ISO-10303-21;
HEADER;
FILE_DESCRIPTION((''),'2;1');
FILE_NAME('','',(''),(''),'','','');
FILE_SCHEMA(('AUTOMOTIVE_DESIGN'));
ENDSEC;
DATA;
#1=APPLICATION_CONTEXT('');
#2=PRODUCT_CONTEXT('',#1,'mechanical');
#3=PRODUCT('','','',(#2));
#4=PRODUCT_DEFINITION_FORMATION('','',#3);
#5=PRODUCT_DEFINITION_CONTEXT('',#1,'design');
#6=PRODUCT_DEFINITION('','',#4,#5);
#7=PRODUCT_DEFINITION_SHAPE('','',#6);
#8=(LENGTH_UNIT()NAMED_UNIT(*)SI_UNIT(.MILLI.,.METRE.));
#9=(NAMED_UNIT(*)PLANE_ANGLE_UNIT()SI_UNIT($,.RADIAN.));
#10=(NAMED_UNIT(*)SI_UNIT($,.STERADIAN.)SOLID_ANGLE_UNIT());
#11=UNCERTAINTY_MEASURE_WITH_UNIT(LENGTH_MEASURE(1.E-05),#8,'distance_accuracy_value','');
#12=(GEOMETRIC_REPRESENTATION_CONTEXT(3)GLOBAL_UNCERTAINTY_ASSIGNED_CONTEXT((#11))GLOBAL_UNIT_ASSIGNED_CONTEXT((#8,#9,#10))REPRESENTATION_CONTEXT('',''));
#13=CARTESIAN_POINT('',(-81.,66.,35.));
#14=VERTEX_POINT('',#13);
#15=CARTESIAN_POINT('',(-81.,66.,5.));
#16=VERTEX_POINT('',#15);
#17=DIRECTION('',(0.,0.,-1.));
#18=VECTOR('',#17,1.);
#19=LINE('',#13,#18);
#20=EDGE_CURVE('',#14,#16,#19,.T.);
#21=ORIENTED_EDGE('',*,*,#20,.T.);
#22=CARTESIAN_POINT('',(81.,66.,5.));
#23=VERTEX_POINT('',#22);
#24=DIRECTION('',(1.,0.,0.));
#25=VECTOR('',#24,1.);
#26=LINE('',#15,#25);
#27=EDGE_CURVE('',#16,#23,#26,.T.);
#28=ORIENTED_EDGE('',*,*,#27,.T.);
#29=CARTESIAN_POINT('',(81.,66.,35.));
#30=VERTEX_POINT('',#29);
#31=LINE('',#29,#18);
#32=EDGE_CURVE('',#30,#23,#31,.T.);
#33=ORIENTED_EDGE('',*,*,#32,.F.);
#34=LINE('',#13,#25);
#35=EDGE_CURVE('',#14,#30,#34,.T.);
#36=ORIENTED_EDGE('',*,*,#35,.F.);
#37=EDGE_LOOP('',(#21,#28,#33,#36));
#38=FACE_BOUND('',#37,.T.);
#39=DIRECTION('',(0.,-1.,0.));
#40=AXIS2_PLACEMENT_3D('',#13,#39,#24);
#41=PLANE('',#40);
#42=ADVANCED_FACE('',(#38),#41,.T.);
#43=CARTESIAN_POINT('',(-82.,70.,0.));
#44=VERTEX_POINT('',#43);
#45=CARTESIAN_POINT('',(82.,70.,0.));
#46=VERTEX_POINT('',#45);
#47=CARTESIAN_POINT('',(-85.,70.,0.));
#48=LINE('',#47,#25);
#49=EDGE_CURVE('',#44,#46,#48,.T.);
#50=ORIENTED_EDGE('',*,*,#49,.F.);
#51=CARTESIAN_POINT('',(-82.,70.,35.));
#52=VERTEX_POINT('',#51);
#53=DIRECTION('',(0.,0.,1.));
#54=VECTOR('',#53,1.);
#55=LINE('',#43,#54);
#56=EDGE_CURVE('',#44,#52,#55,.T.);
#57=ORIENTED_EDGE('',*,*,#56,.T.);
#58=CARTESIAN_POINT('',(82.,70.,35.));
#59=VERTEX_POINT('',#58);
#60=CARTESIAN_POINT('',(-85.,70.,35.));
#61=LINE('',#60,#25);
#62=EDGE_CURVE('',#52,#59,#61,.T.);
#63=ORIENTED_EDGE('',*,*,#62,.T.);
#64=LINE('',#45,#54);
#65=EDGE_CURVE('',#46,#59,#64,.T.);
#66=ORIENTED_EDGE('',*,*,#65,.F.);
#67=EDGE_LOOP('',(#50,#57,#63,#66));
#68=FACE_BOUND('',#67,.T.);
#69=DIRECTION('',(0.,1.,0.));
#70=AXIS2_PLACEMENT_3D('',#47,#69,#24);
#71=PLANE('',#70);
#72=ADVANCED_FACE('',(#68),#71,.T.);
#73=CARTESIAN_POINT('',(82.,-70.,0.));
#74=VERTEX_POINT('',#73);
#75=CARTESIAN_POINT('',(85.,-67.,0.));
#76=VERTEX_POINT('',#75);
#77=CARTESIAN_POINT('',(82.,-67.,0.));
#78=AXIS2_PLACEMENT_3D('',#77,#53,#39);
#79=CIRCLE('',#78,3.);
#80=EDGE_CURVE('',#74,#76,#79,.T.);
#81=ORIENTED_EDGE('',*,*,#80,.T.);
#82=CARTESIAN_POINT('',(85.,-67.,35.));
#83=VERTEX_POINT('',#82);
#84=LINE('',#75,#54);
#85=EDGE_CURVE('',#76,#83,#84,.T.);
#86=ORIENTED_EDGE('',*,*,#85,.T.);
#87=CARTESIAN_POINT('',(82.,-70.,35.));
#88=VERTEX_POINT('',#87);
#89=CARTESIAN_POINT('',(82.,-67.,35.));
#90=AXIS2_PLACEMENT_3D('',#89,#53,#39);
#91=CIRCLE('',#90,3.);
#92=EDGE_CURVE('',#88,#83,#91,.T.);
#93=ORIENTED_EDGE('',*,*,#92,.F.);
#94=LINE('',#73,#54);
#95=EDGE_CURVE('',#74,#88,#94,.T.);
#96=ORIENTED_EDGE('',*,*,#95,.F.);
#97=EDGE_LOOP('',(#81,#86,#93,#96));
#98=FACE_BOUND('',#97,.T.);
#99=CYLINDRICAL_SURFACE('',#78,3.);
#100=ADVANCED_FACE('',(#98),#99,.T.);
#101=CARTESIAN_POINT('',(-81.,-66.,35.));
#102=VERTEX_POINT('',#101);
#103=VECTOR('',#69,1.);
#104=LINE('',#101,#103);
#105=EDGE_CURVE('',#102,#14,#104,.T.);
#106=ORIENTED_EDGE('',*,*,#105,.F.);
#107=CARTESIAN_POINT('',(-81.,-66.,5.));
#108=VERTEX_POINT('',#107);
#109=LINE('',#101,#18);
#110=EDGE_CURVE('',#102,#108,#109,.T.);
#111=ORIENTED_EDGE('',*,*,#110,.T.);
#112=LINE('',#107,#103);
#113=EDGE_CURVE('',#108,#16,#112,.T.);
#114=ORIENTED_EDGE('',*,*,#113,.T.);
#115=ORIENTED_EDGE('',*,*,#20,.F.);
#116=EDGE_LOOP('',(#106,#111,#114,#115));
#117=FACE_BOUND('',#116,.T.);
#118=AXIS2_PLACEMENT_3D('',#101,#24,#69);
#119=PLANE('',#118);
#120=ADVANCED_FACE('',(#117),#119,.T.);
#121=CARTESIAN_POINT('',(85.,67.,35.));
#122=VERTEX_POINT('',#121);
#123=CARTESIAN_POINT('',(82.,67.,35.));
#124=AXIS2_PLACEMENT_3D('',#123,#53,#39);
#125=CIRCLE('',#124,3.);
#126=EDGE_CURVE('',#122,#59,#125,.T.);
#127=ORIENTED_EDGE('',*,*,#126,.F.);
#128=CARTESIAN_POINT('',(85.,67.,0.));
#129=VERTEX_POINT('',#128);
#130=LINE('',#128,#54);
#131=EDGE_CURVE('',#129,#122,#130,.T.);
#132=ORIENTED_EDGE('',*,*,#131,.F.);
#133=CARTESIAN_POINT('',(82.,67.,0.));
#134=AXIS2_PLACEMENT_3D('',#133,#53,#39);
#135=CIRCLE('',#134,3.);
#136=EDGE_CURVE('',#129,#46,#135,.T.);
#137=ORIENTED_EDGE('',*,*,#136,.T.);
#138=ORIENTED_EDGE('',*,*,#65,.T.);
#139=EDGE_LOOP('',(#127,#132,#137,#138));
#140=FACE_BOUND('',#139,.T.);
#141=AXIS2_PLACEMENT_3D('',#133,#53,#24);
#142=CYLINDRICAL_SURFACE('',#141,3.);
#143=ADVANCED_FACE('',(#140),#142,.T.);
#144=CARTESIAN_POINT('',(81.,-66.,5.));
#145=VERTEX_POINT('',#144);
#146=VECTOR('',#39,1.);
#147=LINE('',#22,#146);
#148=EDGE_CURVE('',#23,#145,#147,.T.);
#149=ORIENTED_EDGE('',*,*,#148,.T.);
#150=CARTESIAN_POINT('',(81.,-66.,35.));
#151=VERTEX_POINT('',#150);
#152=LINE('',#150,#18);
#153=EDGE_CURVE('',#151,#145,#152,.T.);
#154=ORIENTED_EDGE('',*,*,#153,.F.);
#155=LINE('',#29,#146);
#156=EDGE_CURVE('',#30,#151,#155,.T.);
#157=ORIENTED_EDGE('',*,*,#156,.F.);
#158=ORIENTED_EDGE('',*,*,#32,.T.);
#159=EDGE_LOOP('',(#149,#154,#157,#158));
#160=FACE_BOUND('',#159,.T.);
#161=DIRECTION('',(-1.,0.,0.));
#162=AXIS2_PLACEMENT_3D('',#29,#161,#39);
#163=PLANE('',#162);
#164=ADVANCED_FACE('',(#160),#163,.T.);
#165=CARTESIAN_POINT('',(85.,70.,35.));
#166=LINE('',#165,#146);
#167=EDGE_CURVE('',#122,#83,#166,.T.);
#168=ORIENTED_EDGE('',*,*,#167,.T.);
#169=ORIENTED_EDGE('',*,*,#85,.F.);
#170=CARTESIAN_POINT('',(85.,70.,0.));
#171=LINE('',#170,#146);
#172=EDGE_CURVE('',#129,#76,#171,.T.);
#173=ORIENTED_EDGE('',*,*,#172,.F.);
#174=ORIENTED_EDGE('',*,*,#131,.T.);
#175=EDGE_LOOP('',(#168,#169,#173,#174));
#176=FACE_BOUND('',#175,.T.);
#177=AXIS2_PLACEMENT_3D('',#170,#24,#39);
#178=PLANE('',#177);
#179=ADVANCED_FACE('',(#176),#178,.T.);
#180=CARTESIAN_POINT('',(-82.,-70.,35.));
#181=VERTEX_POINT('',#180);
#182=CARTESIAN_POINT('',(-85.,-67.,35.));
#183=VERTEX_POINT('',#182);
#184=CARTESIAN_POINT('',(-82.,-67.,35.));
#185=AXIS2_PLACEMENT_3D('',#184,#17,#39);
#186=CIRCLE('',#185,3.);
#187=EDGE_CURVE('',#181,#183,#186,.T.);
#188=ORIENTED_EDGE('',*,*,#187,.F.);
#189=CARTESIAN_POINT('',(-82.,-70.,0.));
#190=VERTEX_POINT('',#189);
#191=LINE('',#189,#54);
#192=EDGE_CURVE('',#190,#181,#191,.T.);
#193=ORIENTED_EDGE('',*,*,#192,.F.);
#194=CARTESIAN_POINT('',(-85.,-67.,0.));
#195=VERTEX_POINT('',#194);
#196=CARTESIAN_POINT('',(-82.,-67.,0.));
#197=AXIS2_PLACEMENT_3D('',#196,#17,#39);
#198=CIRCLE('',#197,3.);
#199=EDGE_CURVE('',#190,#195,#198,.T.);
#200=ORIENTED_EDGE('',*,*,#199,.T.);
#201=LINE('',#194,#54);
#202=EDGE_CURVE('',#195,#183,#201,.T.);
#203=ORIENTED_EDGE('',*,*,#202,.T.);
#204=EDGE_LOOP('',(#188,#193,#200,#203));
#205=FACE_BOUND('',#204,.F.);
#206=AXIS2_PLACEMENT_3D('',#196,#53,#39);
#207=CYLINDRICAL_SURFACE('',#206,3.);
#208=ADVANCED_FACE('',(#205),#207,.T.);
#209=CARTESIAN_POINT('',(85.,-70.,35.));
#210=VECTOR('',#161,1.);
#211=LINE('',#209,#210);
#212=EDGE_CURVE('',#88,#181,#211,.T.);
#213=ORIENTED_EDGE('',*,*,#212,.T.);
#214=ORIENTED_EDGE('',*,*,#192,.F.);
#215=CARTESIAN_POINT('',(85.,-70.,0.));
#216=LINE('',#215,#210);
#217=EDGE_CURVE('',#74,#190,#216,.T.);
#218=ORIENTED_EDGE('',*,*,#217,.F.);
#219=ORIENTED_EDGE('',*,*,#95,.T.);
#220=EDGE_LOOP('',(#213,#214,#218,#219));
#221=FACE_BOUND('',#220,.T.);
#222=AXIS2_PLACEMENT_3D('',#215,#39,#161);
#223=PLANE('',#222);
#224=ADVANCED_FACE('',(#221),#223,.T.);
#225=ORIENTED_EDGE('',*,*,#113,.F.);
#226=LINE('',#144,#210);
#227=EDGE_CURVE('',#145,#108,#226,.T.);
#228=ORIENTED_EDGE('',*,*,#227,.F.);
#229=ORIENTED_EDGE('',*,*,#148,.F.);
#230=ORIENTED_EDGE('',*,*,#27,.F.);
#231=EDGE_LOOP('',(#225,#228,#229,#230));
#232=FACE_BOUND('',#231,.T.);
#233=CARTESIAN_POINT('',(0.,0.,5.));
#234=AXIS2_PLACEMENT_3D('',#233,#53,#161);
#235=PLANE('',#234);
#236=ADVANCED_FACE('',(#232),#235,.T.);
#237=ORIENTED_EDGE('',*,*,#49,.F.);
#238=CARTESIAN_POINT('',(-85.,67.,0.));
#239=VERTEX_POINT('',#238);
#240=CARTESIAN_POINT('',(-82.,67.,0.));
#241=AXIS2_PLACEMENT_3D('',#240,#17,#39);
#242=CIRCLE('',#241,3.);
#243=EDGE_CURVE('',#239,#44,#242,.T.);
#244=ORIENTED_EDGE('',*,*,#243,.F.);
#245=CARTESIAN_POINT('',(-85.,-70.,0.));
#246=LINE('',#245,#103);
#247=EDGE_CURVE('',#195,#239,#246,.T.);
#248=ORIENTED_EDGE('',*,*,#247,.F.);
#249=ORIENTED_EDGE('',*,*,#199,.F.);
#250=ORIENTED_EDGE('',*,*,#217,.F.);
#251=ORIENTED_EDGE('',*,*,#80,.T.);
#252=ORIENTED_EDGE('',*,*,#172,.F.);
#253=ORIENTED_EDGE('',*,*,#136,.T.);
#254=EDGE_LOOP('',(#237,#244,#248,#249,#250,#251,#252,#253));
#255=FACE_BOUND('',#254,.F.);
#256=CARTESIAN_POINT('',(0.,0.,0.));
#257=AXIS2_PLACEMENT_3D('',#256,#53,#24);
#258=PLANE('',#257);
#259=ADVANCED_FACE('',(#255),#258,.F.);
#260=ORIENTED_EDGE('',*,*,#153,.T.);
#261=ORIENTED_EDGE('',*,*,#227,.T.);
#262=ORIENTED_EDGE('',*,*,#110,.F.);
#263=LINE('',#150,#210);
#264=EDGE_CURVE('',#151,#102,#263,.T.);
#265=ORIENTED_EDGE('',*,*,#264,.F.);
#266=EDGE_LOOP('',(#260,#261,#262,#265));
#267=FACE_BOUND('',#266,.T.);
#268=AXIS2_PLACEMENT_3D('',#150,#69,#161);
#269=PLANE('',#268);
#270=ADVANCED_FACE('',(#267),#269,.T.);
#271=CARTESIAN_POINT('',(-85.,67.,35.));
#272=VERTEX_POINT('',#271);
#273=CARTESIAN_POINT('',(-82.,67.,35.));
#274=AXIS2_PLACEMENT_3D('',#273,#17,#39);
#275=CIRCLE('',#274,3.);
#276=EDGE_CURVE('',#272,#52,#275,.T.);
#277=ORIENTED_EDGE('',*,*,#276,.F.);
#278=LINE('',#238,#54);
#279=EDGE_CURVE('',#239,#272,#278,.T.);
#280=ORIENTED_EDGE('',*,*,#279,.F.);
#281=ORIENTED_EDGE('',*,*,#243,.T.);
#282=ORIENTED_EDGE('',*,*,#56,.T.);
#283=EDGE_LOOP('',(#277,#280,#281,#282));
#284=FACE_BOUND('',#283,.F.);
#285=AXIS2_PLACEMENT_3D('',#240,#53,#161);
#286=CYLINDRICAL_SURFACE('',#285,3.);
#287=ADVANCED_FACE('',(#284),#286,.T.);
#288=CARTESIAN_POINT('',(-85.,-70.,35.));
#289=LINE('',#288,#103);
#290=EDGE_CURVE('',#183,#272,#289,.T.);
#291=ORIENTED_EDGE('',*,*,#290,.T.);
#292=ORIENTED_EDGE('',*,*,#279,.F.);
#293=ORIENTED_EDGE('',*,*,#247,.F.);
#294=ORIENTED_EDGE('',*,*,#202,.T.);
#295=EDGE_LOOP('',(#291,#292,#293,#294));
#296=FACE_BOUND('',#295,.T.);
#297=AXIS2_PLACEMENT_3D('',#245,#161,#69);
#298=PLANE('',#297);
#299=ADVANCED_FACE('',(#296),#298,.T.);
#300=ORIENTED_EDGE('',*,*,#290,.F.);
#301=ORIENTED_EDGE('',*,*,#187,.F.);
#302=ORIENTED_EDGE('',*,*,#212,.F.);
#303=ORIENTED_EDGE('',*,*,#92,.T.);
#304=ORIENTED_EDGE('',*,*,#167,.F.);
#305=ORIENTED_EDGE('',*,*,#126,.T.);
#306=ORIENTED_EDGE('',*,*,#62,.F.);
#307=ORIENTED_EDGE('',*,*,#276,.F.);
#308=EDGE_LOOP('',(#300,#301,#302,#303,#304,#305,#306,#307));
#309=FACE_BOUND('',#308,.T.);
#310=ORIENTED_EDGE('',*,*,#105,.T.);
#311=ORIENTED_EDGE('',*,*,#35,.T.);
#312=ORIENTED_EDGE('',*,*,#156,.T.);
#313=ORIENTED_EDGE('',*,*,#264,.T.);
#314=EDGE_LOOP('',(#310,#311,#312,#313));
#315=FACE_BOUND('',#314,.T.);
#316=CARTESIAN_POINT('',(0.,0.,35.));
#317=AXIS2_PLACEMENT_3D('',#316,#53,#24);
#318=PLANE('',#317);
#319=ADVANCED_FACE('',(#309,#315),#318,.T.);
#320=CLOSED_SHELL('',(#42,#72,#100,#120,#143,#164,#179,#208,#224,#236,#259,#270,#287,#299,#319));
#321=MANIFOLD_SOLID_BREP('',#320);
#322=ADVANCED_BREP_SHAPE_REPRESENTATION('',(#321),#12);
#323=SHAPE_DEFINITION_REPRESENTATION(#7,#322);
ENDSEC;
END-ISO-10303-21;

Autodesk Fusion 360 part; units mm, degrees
sketch "Esboço1" plane through (0, 0, 0) normal (0, 0, 1) x (1, 0, 0)
  line L0 (85, -70) -> (-85, -70)
  line L1 (-85, -70) -> (-85, 70)
  line L2 (-85, 70) -> (85, 70)
  line L3 (85, 70) -> (85, -70)
  line L4 (85, -70) -> (-85, 70) construction
  line L5 (-85, -70) -> (85, 70) construction
  dimension "d1" = 170
  dimension "d2" = 140
extrude "Extrusão1" add sketch "Esboço1" along normal blind 35
sketch "Esboço2" plane through (0, 0, 35) normal (0, 0, 1) x (-1, 0, 0)
  line L0 (-85, -70) -> (85, -70)
  line L1 (85, -70) -> (85, 70)
  line L2 (85, 70) -> (-85, 70)
  line L3 (-85, 70) -> (-85, -70)
  line L4 (-81, 66) -> (81, 66)
  line L5 (81, 66) -> (81, -66)
  line L6 (81, -66) -> (-81, -66)
  line L7 (-81, -66) -> (-81, 66)
  line L8 (-81, 66) -> (81, -66) construction
  line L9 (81, 66) -> (-81, -66) construction
  dimension "d5" = 162
  dimension "d6" = 132
extrude "Extrusão2" cut sketch "Esboço2" against normal blind 30 contours L4 L5 L6 L7
fillet "Arredondamento1" radius 3 4 edges at (-85, 70, 17.5) (-85, -70, 17.5) (85, -70, 17.5) (85, 70, 17.5)
